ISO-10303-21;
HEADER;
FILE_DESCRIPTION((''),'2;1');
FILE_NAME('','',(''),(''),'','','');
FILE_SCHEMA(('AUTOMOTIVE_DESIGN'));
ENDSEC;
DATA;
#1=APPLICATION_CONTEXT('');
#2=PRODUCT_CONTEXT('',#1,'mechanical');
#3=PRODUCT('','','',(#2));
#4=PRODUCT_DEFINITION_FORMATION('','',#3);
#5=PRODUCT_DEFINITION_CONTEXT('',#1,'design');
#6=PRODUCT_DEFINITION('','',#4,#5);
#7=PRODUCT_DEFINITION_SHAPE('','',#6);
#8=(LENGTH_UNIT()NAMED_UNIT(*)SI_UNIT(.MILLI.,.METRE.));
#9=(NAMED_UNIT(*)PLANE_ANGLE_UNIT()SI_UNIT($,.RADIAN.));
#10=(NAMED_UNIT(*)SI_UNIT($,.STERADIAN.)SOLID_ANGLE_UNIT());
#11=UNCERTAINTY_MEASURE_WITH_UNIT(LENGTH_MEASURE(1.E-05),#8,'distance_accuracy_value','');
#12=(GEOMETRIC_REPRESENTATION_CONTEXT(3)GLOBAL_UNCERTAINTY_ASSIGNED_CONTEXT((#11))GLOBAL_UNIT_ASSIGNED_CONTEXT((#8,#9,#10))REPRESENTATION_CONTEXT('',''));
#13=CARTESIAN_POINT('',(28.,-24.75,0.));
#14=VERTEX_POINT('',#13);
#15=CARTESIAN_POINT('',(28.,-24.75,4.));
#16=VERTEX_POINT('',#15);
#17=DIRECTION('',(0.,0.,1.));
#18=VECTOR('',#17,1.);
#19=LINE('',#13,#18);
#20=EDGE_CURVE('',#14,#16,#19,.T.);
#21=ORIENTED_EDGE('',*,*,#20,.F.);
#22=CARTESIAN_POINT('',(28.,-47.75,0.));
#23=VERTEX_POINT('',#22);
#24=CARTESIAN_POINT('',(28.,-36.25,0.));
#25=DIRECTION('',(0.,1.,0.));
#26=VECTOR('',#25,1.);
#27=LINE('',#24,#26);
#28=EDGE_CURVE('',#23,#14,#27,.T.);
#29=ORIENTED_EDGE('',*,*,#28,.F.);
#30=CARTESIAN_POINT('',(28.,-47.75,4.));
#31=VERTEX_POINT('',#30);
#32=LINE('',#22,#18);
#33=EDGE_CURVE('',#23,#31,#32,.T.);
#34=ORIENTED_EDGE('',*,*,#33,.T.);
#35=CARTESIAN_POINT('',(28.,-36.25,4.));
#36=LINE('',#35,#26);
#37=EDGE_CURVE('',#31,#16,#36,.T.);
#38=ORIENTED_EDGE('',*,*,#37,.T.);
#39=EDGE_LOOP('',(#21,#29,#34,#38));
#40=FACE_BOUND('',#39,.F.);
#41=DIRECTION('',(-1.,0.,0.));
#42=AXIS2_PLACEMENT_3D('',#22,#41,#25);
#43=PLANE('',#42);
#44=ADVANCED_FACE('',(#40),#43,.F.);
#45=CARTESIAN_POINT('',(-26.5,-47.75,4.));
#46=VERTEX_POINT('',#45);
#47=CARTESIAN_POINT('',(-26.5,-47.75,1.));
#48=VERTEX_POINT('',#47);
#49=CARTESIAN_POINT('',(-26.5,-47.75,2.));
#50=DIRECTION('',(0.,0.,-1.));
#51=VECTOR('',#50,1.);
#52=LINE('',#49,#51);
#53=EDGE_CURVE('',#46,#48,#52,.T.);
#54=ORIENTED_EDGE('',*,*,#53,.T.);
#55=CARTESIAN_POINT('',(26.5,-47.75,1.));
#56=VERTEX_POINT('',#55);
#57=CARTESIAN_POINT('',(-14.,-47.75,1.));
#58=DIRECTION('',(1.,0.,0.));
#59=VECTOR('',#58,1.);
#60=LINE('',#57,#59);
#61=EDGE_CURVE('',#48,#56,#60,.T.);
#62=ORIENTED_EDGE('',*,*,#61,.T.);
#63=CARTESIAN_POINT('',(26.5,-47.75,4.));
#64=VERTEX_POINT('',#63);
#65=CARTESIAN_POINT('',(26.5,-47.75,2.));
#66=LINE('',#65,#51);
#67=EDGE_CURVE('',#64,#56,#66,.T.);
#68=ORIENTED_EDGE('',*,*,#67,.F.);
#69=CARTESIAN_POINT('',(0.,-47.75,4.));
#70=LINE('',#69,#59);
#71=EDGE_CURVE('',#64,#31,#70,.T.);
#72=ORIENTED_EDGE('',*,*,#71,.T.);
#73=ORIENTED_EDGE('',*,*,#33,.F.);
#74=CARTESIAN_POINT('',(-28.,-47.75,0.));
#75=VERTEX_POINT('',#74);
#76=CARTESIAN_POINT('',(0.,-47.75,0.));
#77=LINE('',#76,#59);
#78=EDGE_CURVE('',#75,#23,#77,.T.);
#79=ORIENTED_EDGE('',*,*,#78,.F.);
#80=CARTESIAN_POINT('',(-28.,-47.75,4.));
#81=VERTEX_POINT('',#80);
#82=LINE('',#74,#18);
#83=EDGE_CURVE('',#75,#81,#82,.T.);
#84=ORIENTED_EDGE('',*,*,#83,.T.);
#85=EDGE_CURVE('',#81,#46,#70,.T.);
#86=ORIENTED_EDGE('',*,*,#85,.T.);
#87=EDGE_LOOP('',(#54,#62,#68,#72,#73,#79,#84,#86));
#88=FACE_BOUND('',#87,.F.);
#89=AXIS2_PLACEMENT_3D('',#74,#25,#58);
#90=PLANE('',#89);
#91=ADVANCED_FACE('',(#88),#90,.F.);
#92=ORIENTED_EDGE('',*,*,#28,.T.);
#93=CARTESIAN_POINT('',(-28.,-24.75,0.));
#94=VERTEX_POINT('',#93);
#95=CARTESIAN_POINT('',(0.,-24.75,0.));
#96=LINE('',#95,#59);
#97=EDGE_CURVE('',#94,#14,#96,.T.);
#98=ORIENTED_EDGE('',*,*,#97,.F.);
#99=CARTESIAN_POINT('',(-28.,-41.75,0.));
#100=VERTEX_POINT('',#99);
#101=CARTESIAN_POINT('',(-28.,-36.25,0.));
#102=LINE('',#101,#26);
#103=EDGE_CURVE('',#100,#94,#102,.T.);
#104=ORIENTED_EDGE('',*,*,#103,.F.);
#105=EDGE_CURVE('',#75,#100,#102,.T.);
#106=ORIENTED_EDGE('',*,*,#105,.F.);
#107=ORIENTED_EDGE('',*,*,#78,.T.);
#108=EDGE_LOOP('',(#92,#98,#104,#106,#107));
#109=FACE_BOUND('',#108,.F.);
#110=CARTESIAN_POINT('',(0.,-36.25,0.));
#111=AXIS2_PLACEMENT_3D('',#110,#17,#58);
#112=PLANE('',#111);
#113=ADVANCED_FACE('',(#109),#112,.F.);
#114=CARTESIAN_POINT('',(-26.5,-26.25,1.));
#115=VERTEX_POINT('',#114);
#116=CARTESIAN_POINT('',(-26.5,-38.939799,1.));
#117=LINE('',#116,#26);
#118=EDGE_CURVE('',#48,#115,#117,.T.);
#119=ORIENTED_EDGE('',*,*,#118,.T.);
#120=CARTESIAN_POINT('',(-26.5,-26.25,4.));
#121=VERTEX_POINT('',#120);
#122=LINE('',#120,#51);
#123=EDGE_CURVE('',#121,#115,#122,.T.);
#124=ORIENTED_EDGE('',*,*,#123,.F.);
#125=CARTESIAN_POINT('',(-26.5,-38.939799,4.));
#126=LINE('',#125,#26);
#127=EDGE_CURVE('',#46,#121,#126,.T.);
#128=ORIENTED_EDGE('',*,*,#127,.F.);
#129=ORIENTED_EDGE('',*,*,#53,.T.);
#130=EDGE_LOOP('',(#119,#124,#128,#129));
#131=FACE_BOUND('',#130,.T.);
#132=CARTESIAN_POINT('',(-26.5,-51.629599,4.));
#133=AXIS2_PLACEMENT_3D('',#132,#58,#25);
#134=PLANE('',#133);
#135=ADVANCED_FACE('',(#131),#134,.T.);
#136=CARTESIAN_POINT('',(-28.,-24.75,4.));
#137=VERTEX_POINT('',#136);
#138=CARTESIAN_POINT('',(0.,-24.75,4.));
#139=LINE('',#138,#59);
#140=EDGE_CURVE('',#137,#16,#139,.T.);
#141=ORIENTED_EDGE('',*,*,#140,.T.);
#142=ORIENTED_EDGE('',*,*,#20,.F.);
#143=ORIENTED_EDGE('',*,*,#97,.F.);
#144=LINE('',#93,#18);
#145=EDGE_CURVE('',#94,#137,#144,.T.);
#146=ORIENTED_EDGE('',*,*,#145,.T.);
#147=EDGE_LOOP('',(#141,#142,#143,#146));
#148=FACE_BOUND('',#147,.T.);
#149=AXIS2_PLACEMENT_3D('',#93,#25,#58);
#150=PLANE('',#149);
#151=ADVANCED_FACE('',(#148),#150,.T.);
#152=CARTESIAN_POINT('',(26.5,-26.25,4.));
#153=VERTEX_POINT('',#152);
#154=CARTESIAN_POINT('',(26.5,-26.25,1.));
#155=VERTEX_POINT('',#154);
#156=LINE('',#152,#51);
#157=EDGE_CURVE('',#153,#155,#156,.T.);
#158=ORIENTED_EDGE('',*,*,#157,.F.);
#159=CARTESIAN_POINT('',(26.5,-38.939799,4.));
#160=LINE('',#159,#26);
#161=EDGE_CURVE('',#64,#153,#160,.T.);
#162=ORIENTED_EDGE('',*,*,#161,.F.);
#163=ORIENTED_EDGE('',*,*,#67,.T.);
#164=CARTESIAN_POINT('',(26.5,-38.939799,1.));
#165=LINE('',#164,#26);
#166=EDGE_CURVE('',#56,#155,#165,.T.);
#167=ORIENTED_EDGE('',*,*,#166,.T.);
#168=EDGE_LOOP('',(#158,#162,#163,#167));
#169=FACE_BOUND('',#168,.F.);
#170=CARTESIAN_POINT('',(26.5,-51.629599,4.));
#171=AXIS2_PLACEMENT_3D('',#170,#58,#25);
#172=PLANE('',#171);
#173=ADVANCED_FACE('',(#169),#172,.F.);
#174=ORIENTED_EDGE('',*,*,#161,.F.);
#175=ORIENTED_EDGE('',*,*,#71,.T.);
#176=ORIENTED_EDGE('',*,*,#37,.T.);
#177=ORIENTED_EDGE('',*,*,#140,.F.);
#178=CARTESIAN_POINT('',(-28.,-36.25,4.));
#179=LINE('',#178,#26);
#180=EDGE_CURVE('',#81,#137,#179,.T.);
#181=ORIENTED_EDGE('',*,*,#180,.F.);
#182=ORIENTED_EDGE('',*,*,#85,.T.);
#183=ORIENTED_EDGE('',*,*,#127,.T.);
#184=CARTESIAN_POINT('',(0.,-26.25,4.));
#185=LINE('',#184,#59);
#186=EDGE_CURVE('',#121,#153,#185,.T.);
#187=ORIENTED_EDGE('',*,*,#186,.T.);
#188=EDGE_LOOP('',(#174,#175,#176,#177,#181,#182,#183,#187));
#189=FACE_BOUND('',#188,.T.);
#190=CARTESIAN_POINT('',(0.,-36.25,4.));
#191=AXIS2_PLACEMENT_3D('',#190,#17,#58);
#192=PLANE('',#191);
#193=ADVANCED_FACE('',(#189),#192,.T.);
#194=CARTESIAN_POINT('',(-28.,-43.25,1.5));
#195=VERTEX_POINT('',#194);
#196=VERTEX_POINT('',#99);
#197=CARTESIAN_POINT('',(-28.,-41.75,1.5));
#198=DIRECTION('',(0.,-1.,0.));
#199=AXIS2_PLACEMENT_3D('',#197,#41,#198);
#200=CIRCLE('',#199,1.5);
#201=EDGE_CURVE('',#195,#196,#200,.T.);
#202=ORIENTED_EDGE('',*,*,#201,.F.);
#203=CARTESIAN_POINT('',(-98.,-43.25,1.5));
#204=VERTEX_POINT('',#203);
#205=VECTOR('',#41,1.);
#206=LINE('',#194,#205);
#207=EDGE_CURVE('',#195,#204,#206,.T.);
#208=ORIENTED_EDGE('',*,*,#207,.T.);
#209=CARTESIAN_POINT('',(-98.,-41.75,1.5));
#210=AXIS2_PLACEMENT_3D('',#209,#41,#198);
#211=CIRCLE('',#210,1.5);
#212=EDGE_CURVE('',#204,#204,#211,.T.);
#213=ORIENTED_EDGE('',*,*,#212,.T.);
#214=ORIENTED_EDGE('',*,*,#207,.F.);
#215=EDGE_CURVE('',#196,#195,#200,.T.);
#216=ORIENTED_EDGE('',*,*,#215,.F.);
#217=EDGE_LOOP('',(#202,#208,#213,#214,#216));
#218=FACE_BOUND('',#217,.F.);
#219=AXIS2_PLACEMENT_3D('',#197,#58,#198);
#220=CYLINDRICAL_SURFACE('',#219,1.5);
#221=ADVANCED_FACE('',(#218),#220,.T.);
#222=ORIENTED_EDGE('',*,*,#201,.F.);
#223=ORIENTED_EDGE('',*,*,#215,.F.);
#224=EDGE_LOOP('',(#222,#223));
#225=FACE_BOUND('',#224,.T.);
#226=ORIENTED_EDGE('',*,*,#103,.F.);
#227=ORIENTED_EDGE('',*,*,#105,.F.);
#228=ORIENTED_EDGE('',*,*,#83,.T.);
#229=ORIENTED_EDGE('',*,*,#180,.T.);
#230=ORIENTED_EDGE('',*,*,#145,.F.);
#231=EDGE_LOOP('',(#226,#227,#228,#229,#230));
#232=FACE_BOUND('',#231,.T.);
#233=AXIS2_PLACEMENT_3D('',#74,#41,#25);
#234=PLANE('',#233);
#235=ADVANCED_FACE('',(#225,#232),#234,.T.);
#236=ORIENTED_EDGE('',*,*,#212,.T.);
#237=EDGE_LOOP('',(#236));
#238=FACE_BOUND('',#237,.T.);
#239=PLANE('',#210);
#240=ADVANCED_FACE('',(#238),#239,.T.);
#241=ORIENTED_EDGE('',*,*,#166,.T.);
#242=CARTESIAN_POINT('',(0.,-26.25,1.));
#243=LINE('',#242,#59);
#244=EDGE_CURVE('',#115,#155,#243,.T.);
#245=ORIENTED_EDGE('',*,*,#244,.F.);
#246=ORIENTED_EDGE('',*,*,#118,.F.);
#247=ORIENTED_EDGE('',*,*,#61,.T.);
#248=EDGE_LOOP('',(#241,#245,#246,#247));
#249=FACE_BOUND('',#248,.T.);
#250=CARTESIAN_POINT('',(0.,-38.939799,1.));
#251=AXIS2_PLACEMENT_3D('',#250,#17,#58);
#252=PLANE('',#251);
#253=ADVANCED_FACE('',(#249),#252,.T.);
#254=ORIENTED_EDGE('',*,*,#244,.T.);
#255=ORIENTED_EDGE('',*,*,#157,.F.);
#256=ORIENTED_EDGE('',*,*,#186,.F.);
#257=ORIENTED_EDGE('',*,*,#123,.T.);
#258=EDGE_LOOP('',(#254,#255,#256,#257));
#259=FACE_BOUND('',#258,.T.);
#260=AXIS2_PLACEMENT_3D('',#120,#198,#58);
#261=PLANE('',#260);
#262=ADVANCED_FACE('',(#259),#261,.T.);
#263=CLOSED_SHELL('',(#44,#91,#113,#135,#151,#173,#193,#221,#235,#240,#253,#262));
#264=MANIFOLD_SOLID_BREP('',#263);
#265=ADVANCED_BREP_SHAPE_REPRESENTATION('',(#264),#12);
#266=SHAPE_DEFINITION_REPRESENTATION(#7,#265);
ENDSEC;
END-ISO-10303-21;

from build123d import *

# Parameters (mm, degrees)
SKETCH013_W     = 56
SKETCH013_H     = 23
PAD008_DEPTH    = 4
SKETCH014_W     = 53
SKETCH014_H     = 25.379599
POCKET005_DEPTH = 3
SKETCH015_R     = 1.5
PAD009_DEPTH    = 70


with BuildPart() as part:
    # Sketch013 → Pad008 (new body)
    with BuildSketch(Plane.XY):
        Rectangle(SKETCH013_W, SKETCH013_H)
    extrude(amount=PAD008_DEPTH)

    # Sketch014 (on Face6 of Pad008) → Pocket005 (cut)
    with BuildSketch(Plane.XY.offset(4)):
        with Locations((0, -2.689799)):
            Rectangle(SKETCH014_W, SKETCH014_H)
    extrude(amount=-POCKET005_DEPTH, mode=Mode.SUBTRACT)

    # Sketch015 (on Face2 of Pocket005) → Pad009 (join)
    with BuildSketch(Plane(origin=(-28, 0, 0), x_dir=(0, -1, 0), z_dir=(-1, 0, 0))):
        with Locations((5.5, 1.5)):
            Circle(SKETCH015_R)
    extrude(amount=PAD009_DEPTH)


with BuildPart() as part_1:
    # Body004 placement: moved
    add(part.part.moved(Location((0, -36.25, 0))))


solid = part_1.part
